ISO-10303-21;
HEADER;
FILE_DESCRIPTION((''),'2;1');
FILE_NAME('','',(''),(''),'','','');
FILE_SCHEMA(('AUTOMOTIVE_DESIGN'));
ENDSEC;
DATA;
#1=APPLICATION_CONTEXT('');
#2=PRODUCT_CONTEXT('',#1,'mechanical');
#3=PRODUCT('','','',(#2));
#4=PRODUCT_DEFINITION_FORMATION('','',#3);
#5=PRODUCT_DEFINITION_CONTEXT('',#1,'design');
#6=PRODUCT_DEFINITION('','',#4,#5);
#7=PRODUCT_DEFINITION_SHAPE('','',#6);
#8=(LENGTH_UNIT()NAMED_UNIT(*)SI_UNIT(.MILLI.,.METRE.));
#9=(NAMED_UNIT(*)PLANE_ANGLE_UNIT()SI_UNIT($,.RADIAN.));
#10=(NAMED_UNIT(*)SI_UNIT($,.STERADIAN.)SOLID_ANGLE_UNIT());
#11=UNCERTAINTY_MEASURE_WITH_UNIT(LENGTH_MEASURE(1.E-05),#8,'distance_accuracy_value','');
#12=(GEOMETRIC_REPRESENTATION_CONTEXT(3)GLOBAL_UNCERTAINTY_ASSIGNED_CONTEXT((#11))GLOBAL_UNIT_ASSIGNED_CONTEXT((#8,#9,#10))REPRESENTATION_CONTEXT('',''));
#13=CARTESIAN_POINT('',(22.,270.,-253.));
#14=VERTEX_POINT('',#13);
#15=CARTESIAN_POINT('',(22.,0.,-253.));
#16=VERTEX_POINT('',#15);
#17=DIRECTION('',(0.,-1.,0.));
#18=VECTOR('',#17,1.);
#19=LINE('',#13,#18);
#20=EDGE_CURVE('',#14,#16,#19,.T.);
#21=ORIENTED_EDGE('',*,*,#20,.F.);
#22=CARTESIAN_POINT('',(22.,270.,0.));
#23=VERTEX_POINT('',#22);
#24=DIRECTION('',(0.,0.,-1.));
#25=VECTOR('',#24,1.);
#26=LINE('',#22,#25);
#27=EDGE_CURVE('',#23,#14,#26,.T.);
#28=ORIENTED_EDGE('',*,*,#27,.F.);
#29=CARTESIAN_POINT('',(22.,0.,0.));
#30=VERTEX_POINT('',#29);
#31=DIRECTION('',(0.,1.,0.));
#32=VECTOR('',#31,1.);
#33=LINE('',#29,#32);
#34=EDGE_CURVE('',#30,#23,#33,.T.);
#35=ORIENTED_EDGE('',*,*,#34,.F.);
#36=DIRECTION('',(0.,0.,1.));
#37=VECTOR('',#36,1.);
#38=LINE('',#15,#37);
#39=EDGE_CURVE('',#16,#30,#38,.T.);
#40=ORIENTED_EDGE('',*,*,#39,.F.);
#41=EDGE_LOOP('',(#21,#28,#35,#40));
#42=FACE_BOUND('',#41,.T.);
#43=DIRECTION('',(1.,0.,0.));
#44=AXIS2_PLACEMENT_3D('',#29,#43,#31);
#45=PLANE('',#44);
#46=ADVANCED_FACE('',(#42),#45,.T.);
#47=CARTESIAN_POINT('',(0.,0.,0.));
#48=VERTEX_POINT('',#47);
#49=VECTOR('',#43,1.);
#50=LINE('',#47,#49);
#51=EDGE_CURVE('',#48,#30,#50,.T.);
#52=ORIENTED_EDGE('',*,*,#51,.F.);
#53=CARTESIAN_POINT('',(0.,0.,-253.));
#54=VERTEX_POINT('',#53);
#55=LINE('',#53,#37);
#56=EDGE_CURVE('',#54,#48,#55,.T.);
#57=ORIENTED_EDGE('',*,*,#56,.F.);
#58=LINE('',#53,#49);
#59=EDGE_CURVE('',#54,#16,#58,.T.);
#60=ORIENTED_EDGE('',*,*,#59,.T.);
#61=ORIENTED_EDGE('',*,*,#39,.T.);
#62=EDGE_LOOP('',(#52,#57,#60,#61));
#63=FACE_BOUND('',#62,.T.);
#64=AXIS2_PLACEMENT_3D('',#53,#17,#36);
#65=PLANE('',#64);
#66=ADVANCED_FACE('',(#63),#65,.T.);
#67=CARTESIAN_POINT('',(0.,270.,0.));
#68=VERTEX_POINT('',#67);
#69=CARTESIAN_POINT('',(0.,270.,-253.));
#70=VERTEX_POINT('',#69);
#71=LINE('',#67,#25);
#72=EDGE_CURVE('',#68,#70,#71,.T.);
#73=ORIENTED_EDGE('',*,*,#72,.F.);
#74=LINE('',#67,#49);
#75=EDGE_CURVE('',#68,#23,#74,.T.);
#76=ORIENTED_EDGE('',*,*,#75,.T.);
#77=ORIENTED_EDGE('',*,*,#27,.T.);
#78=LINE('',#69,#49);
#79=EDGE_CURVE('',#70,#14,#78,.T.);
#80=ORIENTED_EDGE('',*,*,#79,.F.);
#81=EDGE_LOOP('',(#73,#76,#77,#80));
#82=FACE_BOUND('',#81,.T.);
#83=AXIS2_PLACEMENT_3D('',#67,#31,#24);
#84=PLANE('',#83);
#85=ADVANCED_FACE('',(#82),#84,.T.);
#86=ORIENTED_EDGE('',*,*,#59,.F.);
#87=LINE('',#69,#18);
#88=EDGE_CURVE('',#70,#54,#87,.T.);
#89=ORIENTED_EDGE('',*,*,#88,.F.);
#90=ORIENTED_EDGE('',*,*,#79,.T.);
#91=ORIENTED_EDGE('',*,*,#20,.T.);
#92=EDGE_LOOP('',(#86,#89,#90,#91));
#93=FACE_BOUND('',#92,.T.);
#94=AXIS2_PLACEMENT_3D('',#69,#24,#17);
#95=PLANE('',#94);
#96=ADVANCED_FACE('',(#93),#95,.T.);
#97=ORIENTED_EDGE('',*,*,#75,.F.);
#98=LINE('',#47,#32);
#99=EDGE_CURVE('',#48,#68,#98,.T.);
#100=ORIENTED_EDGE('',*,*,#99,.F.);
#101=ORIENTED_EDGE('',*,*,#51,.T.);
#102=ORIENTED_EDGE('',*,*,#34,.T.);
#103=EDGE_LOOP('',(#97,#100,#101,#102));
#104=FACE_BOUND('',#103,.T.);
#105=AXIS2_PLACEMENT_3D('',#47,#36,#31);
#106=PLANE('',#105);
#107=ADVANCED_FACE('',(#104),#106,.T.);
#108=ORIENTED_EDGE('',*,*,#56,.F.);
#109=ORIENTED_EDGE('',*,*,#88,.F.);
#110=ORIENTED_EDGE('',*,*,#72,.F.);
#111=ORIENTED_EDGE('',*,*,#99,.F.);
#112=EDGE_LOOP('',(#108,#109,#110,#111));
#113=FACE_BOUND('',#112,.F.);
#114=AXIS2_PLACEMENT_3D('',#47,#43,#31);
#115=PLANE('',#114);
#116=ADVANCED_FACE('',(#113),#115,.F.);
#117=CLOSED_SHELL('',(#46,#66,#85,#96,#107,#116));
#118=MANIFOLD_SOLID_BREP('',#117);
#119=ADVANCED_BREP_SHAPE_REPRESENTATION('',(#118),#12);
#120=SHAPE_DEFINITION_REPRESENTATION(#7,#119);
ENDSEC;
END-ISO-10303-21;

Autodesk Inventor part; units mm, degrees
ref_plane "YZ Plane" through (0, 0, 0) normal (1, 0, 0) x (0, 1, 0)
ref_plane "XZ Plane" through (0, 0, 0) normal (0, 1, 0) x (-1, 0, 0)
ref_plane "XY Plane" through (0, 0, 0) normal (0, 0, 1) x (1, 0, 0)
sketch "Эскиз1" plane through (0, 0, 0) normal (1, 0, 0) x (0, 1, 0)
  line L0 (0, 0) -> (270, 0)
  line L1 (270, 0) -> (270, -253)
  line L2 (270, -253) -> (0, -253)
  line L3 (0, -253) -> (0, 0)
  dimension "d0" = 270
  dimension "d1" = 253
extrude "Выдавливание1" add sketch "Эскиз1" along normal blind 22
properties part number "double_side_A"
